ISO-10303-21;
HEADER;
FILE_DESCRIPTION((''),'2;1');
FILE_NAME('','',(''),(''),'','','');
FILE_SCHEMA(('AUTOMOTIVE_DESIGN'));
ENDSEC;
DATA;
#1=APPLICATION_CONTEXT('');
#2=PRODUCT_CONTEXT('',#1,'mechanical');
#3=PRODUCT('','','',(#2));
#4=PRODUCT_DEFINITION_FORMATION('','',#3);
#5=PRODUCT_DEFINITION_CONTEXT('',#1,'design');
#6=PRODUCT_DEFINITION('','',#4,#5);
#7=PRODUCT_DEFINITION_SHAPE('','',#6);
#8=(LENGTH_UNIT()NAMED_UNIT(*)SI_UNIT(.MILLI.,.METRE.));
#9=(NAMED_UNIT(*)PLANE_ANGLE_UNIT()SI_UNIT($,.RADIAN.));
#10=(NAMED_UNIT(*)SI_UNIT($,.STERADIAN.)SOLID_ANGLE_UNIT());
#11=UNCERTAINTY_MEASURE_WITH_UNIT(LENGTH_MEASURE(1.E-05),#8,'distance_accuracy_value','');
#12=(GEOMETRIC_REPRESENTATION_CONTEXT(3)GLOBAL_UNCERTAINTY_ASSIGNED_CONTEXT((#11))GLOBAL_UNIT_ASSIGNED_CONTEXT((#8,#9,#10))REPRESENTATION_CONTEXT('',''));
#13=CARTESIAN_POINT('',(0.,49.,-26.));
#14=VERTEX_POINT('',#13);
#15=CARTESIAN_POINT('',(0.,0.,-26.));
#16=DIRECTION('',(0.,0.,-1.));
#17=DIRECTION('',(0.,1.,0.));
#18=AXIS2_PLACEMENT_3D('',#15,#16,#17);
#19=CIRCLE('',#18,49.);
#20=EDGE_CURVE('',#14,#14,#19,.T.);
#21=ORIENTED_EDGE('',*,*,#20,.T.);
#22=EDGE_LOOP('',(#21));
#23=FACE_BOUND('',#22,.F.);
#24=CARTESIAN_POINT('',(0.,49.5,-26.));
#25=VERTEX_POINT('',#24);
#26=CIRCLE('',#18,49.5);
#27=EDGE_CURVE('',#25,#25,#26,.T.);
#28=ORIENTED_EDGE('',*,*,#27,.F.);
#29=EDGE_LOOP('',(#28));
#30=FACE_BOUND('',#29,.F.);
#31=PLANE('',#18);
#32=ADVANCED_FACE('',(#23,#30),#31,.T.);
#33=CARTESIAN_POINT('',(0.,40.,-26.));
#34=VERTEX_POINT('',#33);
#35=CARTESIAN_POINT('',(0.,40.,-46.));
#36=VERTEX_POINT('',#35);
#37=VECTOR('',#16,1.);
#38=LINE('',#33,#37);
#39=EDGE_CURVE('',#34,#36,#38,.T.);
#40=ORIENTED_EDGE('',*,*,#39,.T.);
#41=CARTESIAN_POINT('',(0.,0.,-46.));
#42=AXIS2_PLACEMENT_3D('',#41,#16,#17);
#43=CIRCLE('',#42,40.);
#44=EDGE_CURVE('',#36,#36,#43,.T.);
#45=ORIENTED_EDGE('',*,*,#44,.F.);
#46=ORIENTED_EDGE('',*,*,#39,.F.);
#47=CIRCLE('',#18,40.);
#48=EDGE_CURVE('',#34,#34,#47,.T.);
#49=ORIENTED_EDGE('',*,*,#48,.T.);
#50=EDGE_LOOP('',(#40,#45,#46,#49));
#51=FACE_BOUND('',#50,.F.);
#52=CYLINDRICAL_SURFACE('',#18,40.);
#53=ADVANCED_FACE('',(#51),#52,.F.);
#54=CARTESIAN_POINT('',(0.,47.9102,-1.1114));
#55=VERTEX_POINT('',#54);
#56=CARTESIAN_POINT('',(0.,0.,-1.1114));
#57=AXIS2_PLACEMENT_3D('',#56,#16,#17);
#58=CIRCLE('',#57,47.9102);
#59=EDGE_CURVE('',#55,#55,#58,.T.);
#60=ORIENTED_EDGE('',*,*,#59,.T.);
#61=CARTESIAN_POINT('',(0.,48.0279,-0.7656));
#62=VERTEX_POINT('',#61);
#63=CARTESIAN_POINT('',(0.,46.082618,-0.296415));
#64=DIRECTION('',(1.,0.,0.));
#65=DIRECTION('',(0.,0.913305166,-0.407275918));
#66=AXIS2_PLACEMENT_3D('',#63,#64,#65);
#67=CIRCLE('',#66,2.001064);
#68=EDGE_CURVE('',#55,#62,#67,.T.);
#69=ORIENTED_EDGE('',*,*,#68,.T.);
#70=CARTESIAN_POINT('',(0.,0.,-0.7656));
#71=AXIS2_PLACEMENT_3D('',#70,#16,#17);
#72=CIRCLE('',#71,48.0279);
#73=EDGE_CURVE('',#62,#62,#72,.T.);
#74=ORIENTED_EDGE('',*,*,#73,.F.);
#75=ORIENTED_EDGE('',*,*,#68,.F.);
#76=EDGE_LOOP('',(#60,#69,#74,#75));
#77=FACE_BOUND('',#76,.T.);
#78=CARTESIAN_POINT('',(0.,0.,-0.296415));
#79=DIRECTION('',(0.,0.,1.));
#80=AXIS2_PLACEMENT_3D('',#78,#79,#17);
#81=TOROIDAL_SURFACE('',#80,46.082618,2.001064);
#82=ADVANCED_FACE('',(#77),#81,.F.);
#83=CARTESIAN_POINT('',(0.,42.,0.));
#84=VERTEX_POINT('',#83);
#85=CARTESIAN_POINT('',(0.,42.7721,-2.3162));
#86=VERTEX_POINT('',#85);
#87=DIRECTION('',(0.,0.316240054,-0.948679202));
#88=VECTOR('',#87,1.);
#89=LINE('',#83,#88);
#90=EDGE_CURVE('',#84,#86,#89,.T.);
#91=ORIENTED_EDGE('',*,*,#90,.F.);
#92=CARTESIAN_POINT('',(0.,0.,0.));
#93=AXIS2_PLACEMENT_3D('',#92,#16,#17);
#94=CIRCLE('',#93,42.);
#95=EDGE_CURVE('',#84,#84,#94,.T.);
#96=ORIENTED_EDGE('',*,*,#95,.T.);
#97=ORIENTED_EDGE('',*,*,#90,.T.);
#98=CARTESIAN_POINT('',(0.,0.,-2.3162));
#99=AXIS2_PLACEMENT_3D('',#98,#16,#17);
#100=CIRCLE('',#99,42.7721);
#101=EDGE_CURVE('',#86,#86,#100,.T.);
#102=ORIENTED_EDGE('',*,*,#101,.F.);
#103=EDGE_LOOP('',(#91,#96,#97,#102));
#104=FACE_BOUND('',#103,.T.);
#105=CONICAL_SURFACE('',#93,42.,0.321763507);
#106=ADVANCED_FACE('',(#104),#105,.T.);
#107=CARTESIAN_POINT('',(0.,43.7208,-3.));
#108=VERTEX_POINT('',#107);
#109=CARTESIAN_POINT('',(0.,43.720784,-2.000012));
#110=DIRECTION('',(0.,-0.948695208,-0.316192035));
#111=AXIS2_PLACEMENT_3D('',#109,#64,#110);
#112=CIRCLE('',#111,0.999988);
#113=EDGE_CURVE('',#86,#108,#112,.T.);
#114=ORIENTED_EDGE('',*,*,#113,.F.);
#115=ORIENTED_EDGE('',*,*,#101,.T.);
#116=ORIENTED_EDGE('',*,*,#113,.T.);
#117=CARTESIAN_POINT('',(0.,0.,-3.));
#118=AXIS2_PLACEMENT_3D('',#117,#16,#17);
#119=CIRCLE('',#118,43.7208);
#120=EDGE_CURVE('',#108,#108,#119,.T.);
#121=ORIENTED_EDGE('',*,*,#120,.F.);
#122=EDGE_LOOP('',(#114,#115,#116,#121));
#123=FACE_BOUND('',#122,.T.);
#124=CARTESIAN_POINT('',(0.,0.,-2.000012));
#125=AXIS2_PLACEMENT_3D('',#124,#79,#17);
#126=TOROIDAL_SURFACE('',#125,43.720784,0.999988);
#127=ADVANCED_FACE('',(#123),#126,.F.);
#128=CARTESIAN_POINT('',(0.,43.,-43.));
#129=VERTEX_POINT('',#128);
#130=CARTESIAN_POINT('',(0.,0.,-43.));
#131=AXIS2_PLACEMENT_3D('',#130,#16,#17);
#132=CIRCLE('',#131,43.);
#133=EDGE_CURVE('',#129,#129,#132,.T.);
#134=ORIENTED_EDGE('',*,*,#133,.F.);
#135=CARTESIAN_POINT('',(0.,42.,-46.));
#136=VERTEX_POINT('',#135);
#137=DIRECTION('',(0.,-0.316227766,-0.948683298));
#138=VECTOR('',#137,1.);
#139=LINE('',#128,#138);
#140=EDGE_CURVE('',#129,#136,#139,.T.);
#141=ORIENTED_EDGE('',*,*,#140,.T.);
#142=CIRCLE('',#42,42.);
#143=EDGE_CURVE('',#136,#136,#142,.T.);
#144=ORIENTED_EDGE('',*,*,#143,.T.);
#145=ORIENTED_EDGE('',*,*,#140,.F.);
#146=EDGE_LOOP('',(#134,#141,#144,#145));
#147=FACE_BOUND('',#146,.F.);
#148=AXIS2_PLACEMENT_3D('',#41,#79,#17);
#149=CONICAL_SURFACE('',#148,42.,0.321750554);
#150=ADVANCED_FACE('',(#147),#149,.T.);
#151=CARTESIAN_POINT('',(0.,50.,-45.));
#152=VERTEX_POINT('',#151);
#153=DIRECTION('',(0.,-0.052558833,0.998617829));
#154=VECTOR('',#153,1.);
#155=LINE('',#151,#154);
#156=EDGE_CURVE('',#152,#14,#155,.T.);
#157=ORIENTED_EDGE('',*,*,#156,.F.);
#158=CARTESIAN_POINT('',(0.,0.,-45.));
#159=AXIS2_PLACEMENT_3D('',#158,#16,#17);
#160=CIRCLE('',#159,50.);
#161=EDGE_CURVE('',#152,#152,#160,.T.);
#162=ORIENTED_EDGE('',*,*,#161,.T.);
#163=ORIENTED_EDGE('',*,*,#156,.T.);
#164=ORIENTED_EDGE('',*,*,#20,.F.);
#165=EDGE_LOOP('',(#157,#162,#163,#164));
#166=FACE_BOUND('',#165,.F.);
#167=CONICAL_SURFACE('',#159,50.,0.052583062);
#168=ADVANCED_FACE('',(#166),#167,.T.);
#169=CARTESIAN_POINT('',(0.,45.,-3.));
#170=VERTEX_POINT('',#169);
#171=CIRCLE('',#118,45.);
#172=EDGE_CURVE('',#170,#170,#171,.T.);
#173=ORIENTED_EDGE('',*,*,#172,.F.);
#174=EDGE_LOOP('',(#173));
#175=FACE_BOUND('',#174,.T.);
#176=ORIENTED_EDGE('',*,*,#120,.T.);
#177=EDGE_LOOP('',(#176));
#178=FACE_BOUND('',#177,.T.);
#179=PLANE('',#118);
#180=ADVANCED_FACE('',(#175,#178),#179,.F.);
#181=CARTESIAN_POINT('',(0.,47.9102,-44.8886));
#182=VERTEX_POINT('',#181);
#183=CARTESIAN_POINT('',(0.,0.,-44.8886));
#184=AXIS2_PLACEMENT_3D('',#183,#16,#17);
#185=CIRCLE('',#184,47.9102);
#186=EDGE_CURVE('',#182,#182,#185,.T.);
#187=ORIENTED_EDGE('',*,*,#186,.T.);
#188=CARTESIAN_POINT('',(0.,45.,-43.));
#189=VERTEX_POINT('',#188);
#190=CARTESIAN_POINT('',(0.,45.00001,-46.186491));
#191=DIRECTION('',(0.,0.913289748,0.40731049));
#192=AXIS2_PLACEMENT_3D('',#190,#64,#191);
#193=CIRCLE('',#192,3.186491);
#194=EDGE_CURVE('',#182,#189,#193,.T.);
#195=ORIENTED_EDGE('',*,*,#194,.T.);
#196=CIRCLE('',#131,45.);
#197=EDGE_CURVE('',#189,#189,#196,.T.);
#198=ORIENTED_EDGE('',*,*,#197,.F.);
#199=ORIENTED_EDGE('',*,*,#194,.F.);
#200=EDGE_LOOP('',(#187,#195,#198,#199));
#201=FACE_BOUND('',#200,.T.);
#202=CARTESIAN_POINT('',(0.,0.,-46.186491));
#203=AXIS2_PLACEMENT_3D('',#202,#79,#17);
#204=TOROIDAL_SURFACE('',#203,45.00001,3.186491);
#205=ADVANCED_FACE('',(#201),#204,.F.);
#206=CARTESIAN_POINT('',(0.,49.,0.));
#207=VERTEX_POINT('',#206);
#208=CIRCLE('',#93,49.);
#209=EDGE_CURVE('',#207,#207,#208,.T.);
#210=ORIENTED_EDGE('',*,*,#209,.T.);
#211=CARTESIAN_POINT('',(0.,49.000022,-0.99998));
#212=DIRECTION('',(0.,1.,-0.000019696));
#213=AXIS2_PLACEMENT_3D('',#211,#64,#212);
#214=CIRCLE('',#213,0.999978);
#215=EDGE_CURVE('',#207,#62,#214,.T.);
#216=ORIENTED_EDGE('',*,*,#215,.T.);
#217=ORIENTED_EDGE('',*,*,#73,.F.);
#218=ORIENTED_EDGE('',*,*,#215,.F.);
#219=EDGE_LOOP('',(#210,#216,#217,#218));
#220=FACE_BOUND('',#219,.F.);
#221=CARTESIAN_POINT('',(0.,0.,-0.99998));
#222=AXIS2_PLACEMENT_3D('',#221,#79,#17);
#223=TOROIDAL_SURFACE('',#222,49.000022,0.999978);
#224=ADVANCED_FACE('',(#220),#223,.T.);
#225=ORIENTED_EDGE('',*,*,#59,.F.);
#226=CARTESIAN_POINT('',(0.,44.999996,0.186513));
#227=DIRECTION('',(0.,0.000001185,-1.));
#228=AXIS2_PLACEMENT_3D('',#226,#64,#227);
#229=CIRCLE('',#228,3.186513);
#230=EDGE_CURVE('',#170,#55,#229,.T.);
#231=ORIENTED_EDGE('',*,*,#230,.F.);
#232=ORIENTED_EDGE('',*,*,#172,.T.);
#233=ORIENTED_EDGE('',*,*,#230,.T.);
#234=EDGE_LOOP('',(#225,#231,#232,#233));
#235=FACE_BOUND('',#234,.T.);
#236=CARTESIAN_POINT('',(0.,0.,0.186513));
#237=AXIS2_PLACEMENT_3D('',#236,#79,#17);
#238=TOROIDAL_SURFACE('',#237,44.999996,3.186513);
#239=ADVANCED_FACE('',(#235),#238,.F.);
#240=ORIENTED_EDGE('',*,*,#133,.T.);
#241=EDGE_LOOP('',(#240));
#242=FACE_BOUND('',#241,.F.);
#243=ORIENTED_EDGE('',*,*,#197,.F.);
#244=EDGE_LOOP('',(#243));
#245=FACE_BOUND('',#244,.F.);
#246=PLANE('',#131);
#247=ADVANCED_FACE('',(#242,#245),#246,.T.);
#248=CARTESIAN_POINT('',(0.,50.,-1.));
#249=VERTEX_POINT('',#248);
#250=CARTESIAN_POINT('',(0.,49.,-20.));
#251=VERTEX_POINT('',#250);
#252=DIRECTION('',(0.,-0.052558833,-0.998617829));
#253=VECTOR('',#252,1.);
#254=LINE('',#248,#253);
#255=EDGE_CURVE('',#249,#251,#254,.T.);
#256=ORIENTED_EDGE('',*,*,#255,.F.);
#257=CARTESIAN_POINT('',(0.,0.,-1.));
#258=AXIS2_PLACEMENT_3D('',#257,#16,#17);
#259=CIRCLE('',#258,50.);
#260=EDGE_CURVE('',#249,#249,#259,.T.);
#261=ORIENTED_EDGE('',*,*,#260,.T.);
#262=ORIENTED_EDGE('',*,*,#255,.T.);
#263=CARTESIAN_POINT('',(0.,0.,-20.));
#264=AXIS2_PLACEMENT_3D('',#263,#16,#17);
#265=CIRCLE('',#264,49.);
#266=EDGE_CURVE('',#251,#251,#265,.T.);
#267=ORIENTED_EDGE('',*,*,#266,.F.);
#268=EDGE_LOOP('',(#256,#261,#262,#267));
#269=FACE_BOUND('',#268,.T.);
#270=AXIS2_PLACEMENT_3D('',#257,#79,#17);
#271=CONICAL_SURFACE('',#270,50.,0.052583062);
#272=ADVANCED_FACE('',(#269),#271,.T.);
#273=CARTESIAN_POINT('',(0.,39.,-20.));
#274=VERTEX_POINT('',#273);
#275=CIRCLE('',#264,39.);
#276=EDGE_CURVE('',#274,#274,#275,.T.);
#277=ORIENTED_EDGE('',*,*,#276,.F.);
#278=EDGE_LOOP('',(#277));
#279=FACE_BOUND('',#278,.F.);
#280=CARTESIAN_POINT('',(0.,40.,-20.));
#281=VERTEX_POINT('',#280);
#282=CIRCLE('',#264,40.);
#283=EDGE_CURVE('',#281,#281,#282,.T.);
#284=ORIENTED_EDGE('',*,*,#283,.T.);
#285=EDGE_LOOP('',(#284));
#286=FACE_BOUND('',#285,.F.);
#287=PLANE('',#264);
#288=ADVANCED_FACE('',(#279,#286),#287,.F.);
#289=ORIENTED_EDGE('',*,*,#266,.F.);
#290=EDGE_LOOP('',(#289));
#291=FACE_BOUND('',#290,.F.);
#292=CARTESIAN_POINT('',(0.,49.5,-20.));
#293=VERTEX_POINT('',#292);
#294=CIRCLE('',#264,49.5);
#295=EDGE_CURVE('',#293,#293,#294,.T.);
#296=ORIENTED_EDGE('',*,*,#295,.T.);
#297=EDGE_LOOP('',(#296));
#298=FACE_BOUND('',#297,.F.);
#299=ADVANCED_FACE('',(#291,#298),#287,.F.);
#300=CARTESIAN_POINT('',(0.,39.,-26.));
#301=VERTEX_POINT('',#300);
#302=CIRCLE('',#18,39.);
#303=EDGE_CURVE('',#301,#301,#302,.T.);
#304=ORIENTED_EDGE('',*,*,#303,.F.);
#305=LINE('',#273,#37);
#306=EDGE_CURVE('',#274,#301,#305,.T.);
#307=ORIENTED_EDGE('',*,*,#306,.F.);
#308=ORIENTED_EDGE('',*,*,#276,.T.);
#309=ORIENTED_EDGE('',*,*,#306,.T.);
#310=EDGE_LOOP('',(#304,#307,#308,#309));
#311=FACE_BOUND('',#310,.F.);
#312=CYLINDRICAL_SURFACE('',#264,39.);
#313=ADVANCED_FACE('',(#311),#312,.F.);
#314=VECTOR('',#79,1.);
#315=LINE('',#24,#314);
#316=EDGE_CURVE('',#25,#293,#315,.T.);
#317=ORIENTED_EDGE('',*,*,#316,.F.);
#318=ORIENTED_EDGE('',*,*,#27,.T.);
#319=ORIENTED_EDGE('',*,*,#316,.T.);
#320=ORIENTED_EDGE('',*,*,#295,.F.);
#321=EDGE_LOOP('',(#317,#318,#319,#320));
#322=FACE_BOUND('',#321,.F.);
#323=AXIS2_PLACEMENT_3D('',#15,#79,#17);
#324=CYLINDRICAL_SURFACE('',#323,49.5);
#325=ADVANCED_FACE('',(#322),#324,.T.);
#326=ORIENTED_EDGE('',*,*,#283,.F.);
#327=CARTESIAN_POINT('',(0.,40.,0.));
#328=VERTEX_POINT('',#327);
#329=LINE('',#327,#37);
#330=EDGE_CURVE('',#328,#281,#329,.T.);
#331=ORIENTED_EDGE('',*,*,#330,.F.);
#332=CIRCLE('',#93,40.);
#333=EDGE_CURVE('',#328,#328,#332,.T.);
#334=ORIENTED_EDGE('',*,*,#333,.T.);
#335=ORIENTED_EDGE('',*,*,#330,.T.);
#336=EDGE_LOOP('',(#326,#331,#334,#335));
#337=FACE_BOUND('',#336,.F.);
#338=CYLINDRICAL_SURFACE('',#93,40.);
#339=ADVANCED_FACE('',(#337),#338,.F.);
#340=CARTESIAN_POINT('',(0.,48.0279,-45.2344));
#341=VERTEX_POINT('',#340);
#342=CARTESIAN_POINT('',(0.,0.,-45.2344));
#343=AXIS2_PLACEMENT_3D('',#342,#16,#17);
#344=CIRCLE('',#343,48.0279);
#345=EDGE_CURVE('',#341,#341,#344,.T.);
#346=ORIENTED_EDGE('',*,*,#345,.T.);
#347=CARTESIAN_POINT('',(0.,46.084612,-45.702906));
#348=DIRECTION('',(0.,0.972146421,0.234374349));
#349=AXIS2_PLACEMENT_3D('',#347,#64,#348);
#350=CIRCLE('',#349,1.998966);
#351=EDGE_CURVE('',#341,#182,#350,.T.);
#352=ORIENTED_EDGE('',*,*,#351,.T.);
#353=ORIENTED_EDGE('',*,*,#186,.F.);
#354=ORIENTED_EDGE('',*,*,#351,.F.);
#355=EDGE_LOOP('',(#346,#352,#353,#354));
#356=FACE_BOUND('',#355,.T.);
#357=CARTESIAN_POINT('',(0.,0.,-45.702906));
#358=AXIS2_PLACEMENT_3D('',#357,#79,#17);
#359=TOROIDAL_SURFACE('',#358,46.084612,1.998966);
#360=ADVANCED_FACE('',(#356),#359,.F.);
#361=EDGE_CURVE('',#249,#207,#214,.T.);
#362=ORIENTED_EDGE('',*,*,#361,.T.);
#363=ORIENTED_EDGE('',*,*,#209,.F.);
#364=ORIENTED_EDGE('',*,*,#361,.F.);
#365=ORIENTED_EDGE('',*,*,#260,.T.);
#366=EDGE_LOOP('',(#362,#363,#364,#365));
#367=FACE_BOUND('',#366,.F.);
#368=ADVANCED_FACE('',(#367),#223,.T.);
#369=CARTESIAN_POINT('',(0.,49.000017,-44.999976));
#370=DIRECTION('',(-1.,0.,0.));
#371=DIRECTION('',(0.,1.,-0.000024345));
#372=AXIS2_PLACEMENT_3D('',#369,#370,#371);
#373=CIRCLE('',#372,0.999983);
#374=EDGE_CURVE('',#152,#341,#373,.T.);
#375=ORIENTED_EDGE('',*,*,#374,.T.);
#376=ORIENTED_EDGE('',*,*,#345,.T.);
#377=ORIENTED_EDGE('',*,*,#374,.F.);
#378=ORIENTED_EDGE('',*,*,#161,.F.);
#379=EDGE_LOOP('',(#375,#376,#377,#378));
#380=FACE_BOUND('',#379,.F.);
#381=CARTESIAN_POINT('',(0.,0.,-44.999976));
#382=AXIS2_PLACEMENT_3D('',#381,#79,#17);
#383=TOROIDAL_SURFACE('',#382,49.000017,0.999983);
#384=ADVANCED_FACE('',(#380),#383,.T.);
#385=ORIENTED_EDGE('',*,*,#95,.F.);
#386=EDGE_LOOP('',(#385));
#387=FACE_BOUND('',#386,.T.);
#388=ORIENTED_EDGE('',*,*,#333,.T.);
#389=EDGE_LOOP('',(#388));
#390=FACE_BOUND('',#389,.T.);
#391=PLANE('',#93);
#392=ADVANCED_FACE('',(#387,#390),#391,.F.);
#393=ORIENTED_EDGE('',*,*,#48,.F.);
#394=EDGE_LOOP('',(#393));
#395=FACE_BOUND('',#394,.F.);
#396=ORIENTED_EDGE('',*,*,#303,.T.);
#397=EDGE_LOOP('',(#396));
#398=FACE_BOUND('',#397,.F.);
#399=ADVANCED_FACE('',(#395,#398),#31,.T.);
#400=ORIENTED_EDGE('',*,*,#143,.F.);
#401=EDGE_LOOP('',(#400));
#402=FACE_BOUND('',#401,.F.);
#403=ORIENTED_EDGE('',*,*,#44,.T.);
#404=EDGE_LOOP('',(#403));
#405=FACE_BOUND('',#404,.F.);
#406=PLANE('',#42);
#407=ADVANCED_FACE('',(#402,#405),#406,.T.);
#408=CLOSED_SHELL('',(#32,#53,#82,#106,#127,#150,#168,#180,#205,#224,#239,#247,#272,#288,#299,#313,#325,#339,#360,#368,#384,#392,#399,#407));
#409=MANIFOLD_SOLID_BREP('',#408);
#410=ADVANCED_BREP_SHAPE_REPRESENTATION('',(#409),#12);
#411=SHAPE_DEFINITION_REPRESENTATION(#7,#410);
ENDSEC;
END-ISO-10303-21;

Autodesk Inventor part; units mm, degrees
ref_plane "YZ Plane" through (0, 0, 0) normal (1, 0, 0) x (0, 1, 0)
ref_plane "XZ Plane" through (0, 0, 0) normal (0, 1, 0) x (-1, 0, 0)
ref_plane "XY Plane" through (0, 0, 0) normal (0, 0, 1) x (1, 0, 0)
sketch "Szkic1" plane through (0, 0, 0) normal (1, 0, 0) x (0, 1, 0)
  line L0 (0, 0) -> (0, -43.2297)
  line L1 (0, 0) -> (40, 0)
  line L2 (40, 0) -> (42, 0)
  line L3 (40, -46) -> (42, -46)
  line L4 (42, 0) -> (43, 0)
  line L5 (42, -46) -> (43, -46)
  line L6 (42, 0) -> (42.7721, -2.3162)
  line L7 (42, -46) -> (43, -43)
  line L8 (43.7208, -3) -> (45, -3)
  line L9 (43, -43) -> (45, -43)
  arc A0 (50, -1) -> (48.0279, -0.7656) centre (49, -1) ccw
  line L10 (49, 0) -> (42, 0)
  arc A1 (45, -3) -> (47.9102, -1.1114) centre (45, 0.1865) ccw
  arc A2 (47.9102, -1.1114) -> (48.0279, -0.7656) centre (46.0836, -0.2968) ccw
  line L11 (48.8421, -23) -> (49, -23)
  line L12 (50, -1) -> (49, -20)
  line L13 (49, -20) -> (39, -20)
  line L14 (39, -20) -> (39, -26)
  line L15 (39, -26) -> (49, -26)
  line L16 (40, 0) -> (40, -20)
  line L17 (40, -26) -> (40, -46)
  arc A3 (42.7721, -2.3162) -> (43.7208, -3) centre (43.7208, -2) ccw
  line L18 (42, -46) -> (43, -46)
  line L19 (42, -46) -> (42.7721, -43.6838)
  line L20 (43.7208, -43) -> (45, -43)
  arc A4 (48.0279, -45.2344) -> (50, -45) centre (49, -45) ccw
  line L21 (49, -46) -> (42, -46)
  arc A5 (47.9102, -44.8886) -> (45, -43) centre (45, -46.1865) ccw
  arc A6 (48.0279, -45.2344) -> (47.9102, -44.8886) centre (46.0836, -45.7032) ccw
  line L22 (50, -45) -> (49, -26)
  arc A7 (43.7208, -43) -> (42.7721, -43.6838) centre (43.7208, -44) ccw
  line L23 (49, -26) -> (49.5, -26)
  line L24 (49.5, -26) -> (49.5, -20)
  line L25 (49.5, -20) -> (49, -20)
  point P0 (43, -3)
  point P1 (42.386, -1.1581)
  point P2 (48.8441, -23)
  point P3 (42.386, -44.8419)
  dimension "d0" = 40
  dimension "d1" = 46
  dimension "d2" = 2
  dimension "d5" = 3
  dimension "d7" = 3
  dimension "d8" = 2
  dimension "d9" = 2
  dimension "d12" = 2
  dimension "d14" = 2
  dimension "d17" = 3
  dimension "d18" = 10
  dimension "d19" = 1
  dimension "d21" = 1
  dimension "d22" = 6
revolve "Obrót1" add sketch "Szkic1" angle 360 about axis through (0, 0, 0) along (0, 0, -1) contours L2 L6 A3 L8 A1 A2 A0 L12 L13 L16 | L13 L25 L24 L23 L15 L14 | L15 L22 A4 A6 A5 L9 L7 L3 L17
properties part number "Uszczelka"
